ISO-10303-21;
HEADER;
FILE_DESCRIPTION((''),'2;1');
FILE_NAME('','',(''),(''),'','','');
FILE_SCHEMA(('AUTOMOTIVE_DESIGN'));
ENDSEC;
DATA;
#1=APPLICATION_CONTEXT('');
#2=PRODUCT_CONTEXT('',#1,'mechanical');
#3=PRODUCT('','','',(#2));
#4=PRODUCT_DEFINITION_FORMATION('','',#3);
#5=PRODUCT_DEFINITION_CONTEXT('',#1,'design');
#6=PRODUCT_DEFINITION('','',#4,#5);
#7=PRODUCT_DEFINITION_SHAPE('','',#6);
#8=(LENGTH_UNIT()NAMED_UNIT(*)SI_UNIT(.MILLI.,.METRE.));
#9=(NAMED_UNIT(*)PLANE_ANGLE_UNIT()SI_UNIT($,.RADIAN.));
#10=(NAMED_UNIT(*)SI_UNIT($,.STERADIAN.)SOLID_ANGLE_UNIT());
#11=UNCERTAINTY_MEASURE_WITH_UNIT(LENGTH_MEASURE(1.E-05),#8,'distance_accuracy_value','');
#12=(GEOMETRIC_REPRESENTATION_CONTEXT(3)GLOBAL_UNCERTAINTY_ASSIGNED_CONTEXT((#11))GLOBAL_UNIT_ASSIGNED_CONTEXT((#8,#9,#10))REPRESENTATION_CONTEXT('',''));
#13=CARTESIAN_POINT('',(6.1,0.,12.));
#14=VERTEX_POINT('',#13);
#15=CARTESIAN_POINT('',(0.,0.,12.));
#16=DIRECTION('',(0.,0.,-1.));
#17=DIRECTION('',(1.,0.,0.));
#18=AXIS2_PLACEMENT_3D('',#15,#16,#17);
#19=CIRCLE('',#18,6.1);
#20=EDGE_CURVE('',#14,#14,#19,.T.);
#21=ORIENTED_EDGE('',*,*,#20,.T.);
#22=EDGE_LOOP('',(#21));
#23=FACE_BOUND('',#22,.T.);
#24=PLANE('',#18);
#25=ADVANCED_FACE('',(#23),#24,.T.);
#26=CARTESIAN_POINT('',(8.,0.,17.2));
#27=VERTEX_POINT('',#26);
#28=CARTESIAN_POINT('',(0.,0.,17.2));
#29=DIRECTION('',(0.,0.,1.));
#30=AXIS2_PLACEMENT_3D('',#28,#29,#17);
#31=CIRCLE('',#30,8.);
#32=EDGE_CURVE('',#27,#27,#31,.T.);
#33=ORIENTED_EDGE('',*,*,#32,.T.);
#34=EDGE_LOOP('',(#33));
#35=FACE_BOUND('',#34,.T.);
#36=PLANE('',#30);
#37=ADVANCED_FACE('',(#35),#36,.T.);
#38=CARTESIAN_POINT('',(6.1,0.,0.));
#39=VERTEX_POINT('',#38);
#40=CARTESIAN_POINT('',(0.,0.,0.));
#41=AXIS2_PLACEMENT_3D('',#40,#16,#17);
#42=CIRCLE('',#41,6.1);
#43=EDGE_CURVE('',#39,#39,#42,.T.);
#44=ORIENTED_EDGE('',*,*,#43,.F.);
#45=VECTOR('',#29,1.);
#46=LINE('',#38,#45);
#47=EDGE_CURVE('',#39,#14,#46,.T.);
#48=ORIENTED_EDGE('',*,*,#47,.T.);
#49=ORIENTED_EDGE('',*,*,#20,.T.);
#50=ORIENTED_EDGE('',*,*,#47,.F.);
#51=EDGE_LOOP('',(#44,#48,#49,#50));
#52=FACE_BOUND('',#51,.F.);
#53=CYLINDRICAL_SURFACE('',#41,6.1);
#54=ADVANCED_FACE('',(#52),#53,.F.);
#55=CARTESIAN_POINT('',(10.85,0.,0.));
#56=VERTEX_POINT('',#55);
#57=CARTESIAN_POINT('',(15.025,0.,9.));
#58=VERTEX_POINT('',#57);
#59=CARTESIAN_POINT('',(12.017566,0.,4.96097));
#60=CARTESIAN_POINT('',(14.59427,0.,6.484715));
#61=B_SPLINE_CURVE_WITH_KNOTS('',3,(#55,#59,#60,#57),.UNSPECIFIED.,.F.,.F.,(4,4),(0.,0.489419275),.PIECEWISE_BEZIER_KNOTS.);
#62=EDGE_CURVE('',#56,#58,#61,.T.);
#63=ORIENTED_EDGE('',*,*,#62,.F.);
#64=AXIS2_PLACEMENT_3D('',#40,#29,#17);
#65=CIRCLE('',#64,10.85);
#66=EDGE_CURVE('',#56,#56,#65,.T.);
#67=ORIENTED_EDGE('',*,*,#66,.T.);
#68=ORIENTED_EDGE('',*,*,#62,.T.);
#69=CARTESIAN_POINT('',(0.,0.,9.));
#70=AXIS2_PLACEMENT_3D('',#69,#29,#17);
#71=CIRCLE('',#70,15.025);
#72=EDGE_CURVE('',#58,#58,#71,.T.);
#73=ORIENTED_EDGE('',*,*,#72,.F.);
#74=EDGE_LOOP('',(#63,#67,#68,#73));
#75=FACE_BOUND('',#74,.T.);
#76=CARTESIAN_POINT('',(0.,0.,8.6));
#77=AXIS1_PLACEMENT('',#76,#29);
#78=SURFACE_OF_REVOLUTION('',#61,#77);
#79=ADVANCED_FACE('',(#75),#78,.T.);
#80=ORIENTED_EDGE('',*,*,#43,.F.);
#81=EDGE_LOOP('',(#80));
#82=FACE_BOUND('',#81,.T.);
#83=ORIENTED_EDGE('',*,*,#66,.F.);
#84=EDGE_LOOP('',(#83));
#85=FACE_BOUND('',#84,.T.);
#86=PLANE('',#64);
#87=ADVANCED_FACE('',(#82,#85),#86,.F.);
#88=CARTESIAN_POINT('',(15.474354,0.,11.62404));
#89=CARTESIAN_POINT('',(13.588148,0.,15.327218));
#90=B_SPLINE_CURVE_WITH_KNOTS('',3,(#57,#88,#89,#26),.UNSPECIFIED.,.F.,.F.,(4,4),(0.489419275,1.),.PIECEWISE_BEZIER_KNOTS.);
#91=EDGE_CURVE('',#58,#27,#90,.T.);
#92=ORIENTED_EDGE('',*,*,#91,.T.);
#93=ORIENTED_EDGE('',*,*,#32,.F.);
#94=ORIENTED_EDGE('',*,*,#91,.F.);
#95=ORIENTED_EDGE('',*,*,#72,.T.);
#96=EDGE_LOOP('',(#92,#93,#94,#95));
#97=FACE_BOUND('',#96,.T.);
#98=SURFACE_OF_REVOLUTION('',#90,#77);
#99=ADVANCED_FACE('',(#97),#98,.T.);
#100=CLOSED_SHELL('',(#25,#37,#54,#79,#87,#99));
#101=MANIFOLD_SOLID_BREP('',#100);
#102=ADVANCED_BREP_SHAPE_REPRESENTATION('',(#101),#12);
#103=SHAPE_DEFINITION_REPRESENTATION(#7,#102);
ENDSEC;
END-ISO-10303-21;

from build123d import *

# Parameters (mm, degrees)
F2_R     = 6.1
F3_DEPTH = 12


with BuildPart() as f1:
    # F0 (on Front) → F1 (revolve)
    with BuildSketch(Plane.XZ):
        with BuildLine():
            Line((0, 9), (0, 0))
            Line((0, 0), (10.85, 0))
            add(Edge.make_bspline(
                [(10.85, 0), (12.0175657794, 4.9609700218), (14.5942696814, 6.4847152517), (15.025, 9)],
                knots=[0, 0, 0, 0, 0.4894192747, 0.4894192747, 0.4894192747, 0.4894192747], degree=3))
            Line((15.025, 9), (0, 9))
        make_face()
        with BuildLine():
            Line((0, 17.2), (0, 9))
            Line((0, 9), (15.025, 9))
            add(Edge.make_bspline(
                [(15.025, 9), (15.4743541834, 11.6240403223), (13.5881481692, 15.3272179887), (8, 17.2)],
                knots=[0.4894192747, 0.4894192747, 0.4894192747, 0.4894192747, 1, 1, 1, 1], degree=3))
            Line((8, 17.2), (0, 17.2))
        make_face()
    revolve(axis=Axis((0, 0, 8.6), (0, 0, 1)))

    # F2 (on face) → F3 (cut)
    with BuildSketch(Plane(origin=(0, 0, 0), x_dir=(1, 0, 0), z_dir=(0, 0, -1))):
        Circle(F2_R)
    extrude(amount=-F3_DEPTH, mode=Mode.SUBTRACT)


solid = f1.part
